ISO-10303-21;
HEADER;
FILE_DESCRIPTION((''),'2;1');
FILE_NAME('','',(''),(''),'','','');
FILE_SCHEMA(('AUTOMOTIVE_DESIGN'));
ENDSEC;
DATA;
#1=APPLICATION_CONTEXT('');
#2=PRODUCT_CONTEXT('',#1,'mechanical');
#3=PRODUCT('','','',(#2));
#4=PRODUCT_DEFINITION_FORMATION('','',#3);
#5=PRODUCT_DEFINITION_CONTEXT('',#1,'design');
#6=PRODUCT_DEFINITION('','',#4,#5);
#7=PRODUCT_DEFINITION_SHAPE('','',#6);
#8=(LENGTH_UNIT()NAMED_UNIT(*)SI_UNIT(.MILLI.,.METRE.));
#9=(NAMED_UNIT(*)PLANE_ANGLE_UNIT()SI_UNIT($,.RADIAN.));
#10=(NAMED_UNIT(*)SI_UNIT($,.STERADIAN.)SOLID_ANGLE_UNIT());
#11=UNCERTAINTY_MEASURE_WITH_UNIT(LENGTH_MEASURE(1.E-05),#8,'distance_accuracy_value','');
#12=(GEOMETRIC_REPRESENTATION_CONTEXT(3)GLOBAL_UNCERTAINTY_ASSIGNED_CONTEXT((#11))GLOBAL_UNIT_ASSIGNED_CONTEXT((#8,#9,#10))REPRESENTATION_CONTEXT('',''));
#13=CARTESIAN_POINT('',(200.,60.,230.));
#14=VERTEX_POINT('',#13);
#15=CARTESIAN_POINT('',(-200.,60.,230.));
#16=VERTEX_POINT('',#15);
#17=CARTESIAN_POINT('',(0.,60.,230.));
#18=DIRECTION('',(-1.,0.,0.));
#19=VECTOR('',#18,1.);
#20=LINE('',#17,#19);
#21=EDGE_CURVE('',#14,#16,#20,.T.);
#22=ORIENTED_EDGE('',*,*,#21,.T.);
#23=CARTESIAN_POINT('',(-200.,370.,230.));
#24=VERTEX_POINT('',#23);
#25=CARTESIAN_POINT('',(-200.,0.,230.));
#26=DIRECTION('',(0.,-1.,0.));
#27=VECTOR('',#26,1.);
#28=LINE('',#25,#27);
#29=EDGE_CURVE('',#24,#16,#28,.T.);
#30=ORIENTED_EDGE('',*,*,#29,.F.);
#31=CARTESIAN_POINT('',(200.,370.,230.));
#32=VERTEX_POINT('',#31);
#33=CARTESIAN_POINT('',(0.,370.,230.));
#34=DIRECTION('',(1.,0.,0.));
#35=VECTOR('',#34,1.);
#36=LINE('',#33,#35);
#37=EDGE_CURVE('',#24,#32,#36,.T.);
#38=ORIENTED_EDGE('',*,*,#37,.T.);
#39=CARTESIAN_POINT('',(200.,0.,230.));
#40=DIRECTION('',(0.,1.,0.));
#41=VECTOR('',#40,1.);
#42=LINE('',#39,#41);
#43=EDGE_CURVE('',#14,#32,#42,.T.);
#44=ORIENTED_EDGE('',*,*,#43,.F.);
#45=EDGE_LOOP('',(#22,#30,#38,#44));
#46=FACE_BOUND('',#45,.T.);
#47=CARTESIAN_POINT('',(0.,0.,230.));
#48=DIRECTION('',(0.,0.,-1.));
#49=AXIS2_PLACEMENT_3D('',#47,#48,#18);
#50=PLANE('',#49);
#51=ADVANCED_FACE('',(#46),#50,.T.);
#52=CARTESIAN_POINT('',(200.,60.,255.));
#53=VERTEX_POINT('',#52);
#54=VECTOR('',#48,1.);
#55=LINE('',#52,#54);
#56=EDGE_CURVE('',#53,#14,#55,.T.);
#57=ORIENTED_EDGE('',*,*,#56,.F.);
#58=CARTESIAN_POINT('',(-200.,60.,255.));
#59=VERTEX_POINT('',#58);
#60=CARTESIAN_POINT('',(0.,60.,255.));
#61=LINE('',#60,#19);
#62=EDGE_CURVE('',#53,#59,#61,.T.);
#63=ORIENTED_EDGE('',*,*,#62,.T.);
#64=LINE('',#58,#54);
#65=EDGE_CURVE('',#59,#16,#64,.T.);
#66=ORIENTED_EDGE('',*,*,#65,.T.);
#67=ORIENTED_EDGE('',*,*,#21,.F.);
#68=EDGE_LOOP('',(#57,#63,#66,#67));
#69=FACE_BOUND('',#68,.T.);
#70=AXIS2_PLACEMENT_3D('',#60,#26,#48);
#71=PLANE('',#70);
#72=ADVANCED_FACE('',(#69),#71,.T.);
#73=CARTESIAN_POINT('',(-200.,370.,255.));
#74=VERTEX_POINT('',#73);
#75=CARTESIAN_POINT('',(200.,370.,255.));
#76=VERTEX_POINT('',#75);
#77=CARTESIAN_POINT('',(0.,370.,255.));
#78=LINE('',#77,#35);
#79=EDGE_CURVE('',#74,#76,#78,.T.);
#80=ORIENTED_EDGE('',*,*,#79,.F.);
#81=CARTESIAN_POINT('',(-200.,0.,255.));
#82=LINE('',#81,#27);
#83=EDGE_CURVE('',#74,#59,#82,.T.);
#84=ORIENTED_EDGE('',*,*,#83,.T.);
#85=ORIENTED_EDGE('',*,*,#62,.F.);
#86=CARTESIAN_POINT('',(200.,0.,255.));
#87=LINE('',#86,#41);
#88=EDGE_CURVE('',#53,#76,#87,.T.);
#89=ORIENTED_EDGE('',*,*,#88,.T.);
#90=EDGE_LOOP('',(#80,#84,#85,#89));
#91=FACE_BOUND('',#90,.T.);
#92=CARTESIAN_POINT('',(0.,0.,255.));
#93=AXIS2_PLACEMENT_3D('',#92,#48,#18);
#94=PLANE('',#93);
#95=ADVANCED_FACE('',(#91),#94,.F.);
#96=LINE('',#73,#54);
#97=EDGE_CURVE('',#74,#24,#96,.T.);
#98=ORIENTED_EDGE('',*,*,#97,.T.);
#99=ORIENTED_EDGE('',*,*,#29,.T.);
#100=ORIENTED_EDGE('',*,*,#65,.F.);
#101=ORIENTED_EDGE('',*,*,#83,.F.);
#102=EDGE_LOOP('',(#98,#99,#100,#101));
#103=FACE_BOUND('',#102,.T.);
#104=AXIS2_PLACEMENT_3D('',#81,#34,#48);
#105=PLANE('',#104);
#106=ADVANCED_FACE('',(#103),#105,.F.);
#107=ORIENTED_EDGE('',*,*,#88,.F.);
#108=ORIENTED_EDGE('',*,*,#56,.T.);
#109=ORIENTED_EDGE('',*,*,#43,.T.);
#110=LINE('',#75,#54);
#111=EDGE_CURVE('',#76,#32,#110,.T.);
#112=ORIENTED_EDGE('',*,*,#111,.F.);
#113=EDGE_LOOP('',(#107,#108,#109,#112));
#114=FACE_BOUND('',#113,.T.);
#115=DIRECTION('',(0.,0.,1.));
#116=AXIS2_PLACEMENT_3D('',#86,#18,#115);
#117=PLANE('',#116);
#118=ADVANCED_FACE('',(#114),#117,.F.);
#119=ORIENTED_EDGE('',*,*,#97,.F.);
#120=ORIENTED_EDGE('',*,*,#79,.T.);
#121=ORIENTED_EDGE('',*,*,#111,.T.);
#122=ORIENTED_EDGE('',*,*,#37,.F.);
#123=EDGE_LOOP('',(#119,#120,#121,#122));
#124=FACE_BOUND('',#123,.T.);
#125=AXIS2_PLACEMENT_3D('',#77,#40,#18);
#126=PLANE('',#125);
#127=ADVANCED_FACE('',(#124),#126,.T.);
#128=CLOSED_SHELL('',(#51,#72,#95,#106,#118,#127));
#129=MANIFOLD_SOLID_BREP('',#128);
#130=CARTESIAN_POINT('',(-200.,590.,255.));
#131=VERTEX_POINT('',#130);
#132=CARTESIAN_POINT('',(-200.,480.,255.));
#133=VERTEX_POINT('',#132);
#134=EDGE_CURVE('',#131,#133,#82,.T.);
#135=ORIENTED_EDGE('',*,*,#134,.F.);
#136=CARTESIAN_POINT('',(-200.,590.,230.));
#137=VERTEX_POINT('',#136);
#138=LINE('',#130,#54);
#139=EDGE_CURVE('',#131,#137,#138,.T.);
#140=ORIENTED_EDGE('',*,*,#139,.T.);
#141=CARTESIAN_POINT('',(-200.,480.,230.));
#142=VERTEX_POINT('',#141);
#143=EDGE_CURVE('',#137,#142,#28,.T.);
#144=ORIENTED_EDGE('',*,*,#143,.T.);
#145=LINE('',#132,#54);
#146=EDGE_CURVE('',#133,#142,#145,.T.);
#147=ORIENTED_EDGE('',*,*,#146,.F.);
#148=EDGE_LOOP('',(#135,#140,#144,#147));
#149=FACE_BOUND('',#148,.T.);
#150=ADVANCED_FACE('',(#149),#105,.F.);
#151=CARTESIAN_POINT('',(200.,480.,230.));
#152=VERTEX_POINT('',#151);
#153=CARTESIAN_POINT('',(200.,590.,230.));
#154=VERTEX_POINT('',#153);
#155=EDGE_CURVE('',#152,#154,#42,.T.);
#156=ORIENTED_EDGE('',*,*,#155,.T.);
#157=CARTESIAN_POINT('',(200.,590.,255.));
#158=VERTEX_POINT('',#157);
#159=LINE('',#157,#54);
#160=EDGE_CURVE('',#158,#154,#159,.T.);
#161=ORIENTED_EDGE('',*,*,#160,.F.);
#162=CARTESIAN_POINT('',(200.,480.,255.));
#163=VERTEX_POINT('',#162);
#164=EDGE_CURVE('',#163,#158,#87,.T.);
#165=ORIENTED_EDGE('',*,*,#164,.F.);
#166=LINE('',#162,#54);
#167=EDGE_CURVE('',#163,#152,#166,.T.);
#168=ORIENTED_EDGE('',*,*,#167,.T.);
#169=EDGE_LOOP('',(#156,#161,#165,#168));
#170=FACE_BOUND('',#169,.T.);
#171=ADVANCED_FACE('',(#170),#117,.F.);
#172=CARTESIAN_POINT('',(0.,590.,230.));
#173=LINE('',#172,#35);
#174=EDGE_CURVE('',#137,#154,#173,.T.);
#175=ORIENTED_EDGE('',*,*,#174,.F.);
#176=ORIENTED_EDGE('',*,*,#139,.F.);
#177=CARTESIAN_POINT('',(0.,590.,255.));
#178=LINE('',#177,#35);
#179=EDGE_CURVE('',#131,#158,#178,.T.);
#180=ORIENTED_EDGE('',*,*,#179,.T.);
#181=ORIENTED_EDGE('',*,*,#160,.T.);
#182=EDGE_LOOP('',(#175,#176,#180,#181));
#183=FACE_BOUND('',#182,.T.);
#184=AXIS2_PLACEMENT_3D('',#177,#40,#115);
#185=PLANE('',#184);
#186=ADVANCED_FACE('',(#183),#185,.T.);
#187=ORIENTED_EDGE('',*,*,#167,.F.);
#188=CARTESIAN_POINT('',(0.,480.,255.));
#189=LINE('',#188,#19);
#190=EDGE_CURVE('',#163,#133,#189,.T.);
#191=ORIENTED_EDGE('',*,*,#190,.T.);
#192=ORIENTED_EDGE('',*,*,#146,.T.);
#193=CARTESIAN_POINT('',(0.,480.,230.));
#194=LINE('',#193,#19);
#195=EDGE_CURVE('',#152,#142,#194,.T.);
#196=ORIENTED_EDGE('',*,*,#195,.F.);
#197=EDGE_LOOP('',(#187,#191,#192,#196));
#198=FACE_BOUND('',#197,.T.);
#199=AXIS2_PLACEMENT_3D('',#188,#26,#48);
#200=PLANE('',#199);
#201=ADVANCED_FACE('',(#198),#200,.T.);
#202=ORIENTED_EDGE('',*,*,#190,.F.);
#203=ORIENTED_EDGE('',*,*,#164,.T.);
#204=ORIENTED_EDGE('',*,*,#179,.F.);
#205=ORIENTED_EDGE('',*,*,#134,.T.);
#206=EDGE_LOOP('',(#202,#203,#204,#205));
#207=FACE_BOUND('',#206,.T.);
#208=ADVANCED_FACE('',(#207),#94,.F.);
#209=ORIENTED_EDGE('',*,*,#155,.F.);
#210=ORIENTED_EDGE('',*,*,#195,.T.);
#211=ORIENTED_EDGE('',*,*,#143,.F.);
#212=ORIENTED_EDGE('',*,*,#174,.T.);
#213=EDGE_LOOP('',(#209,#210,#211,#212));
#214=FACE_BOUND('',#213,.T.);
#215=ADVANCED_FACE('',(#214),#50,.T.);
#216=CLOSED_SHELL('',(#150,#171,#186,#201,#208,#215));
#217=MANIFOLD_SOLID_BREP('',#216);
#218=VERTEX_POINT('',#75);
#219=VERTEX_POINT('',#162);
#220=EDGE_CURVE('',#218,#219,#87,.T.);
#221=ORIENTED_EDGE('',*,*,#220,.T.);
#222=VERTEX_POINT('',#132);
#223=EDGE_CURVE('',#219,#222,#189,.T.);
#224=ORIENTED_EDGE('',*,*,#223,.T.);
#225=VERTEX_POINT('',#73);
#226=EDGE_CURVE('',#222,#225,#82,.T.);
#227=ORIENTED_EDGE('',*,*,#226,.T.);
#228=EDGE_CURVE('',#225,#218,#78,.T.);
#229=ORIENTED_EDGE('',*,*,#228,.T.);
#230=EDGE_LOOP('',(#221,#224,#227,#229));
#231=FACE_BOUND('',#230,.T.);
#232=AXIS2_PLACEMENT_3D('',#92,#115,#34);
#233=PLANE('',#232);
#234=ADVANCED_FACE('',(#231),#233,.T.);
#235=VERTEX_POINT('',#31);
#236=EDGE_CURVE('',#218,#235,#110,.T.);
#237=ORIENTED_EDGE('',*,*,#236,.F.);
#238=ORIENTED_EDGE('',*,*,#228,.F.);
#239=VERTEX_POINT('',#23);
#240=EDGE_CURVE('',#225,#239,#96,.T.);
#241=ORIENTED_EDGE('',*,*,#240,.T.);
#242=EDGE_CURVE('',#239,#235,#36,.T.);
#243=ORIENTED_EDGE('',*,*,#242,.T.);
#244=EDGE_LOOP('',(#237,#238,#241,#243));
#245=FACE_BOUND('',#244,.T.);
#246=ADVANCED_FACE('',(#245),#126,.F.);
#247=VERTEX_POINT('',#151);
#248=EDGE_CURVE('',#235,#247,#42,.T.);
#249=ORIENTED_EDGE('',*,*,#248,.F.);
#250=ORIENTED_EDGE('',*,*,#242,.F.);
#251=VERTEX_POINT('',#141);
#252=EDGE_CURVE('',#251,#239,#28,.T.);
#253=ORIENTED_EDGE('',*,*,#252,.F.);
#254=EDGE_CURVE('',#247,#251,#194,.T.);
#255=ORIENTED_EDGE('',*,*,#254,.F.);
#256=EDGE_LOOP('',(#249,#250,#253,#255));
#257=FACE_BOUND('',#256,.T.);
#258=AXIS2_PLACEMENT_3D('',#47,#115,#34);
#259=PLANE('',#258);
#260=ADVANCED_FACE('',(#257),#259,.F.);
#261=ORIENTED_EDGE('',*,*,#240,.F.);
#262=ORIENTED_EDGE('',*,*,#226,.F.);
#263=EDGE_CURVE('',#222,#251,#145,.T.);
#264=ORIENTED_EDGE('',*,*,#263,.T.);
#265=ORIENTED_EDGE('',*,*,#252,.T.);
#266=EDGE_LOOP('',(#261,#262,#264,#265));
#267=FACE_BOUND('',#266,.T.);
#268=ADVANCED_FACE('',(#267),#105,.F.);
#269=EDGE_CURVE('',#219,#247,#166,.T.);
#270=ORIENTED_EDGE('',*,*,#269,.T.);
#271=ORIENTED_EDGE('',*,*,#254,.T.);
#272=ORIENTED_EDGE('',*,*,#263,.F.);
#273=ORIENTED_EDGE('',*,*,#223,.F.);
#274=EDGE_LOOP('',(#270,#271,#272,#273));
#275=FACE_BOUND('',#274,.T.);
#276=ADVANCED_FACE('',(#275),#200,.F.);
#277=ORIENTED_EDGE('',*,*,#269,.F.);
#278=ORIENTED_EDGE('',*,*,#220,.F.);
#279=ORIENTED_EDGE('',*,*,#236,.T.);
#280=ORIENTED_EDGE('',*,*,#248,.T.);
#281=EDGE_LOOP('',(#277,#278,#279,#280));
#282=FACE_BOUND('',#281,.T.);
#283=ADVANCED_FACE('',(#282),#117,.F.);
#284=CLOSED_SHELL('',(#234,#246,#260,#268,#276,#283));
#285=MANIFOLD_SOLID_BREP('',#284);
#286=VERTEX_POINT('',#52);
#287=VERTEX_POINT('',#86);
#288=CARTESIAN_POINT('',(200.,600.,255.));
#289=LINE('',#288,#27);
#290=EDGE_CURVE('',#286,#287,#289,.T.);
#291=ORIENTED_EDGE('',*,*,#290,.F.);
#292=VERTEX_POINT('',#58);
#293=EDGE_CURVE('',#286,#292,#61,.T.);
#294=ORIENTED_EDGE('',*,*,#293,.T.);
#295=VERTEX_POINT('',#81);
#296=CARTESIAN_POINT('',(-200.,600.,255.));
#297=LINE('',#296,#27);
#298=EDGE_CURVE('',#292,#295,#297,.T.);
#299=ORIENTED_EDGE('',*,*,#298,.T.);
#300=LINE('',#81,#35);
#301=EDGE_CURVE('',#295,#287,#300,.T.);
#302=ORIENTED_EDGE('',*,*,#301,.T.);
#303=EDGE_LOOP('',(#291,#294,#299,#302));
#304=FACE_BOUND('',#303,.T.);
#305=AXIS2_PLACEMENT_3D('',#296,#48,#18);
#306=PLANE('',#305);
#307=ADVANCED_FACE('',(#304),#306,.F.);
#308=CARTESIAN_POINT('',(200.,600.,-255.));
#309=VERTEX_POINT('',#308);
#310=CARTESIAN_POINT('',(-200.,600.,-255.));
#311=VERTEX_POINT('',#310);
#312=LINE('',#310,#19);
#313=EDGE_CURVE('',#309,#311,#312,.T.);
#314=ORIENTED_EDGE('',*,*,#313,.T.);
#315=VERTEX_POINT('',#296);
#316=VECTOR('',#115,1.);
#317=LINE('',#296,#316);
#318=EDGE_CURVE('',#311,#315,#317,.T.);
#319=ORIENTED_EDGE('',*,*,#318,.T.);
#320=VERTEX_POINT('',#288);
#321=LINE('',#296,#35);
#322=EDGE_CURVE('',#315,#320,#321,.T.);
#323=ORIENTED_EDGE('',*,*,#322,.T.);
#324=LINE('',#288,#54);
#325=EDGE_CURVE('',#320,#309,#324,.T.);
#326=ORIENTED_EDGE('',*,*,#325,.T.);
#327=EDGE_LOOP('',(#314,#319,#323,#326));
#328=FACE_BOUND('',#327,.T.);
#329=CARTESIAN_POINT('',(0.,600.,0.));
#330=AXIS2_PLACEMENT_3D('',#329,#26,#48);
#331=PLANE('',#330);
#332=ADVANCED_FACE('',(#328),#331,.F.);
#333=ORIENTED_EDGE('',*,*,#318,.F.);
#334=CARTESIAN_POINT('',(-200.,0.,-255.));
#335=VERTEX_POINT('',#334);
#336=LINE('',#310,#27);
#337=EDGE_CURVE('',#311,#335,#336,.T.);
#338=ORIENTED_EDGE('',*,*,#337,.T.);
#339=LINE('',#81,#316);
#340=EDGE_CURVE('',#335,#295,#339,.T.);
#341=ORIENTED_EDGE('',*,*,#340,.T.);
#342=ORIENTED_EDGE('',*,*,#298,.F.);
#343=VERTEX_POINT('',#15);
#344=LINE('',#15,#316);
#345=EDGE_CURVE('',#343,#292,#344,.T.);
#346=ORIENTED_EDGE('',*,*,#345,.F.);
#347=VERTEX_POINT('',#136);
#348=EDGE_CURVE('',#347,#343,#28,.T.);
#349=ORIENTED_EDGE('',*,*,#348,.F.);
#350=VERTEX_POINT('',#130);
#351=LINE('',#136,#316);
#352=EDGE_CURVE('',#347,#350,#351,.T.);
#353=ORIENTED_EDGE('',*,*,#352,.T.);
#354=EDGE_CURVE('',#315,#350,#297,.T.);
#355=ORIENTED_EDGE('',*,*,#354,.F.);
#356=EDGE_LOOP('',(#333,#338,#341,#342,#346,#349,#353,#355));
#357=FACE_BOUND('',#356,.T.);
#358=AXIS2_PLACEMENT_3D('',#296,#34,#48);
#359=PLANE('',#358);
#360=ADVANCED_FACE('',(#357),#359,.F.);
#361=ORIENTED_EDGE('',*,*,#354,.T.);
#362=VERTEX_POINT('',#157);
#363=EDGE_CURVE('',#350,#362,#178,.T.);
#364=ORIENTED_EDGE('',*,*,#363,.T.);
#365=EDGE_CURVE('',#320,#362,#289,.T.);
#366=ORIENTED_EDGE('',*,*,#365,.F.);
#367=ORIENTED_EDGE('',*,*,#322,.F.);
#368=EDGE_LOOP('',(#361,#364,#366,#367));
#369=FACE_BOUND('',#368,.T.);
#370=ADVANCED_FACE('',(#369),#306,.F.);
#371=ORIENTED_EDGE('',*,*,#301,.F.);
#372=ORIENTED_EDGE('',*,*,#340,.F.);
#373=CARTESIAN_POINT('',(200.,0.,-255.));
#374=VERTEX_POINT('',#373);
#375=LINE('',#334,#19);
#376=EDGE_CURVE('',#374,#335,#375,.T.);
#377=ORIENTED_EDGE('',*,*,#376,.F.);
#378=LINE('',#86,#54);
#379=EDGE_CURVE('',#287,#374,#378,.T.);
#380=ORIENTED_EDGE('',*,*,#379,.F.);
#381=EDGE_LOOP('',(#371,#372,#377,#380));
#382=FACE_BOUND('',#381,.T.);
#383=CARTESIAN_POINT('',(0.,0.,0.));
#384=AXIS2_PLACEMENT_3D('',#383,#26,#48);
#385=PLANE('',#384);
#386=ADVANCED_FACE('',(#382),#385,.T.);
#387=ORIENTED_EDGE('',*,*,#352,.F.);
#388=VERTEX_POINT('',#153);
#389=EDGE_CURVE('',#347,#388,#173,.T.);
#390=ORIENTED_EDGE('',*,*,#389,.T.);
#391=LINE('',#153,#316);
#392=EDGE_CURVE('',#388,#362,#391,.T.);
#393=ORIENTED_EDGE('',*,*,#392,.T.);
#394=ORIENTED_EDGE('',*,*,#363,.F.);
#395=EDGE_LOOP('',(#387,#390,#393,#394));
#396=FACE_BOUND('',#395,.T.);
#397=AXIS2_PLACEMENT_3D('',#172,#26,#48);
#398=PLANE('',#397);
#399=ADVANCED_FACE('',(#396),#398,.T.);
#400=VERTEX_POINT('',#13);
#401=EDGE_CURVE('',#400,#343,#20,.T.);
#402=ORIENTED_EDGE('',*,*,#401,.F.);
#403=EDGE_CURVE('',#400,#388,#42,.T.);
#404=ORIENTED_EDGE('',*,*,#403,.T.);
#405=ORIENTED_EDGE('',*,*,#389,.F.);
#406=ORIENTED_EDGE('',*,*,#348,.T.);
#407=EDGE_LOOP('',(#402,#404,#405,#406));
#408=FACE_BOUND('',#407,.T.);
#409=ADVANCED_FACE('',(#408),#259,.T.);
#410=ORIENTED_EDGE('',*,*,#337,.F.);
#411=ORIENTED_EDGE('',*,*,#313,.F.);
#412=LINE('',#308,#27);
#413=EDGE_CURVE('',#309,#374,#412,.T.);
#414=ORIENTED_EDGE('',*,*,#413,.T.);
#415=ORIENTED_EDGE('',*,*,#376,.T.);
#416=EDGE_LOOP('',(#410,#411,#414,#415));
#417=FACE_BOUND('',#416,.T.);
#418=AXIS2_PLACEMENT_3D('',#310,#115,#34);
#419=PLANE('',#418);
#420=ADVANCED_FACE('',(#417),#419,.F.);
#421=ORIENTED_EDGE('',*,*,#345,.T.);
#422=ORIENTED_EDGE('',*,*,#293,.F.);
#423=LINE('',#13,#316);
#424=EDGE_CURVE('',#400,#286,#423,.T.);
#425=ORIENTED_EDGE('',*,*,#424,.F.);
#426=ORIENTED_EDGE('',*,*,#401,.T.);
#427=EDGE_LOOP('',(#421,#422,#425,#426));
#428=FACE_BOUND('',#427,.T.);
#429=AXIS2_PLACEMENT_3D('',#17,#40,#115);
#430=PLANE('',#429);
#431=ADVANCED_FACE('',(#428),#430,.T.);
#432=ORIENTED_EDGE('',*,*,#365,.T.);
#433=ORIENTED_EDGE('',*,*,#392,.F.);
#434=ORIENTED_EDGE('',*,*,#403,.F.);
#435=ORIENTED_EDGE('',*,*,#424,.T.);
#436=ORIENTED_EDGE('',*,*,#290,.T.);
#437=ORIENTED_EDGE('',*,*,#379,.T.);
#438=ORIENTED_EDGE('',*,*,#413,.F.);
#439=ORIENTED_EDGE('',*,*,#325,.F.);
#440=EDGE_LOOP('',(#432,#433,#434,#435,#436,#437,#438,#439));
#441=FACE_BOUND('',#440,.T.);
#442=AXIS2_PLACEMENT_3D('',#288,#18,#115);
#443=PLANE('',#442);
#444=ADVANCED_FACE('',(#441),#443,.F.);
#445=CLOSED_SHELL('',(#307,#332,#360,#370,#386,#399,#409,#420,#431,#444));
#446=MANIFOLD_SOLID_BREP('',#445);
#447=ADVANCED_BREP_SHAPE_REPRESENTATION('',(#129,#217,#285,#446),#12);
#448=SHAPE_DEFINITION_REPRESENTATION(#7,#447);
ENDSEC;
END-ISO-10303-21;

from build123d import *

# Parameters (mm, degrees)
SKETCH1_W           = 400
SKETCH1_H           = 510
BOSS_EXTRUDE1_DEPTH = 600
SKETCH2_W           = 400
SKETCH2_H           = 110
SKETCH2_H_2         = 310
CUT_EXTRUDE1_DEPTH  = 25
BOSS_EXTRUDE3_START = -25
SKETCH2_4_W         = 400
SKETCH2_4_H         = 110
BOSS_EXTRUDE3_DEPTH = 25
BOSS_EXTRUDE4_START = -25
SKETCH2_5_W         = 400
SKETCH2_5_H         = 110
BOSS_EXTRUDE4_DEPTH = 25
BOSS_EXTRUDE5_START = -25
SKETCH2_6_W         = 400
SKETCH2_6_H         = 310
BOSS_EXTRUDE5_DEPTH = 25


with BuildPart() as part:
    # Sketch1 → Boss-Extrude1 (new body)
    with BuildSketch(Plane(origin=(0, 0, 0), x_dir=(1, 0, 0), z_dir=(0, 1, 0))):
        Rectangle(SKETCH1_W, SKETCH1_H)
    extrude(amount=BOSS_EXTRUDE1_DEPTH)

    # Sketch2 → Cut-Extrude1 (cut)
    with BuildSketch(Plane.XY.offset(255)):
        with Locations((0, 425)):
            Rectangle(SKETCH2_W, SKETCH2_H)
        with Locations((0, 535)):
            Rectangle(SKETCH2_W, SKETCH2_H)
        with Locations((0, 215)):
            Rectangle(SKETCH2_W, SKETCH2_H_2)
    extrude(amount=-CUT_EXTRUDE1_DEPTH, mode=Mode.SUBTRACT)


with BuildPart() as body_2:
    # Sketch2<4> → Boss-Extrude3 (new body)
    with BuildSketch(Plane.XY.offset(255).offset(BOSS_EXTRUDE3_START)):
        with Locations((0, 535)):
            Rectangle(SKETCH2_4_W, SKETCH2_4_H)
    extrude(amount=BOSS_EXTRUDE3_DEPTH)


with BuildPart() as body_3:
    # Sketch2<5> → Boss-Extrude4 (new body)
    with BuildSketch(Plane.XY.offset(255).offset(BOSS_EXTRUDE4_START)):
        with Locations((0, 425)):
            Rectangle(SKETCH2_5_W, SKETCH2_5_H)
    extrude(amount=BOSS_EXTRUDE4_DEPTH)


with BuildPart() as body_4:
    # Sketch2<6> → Boss-Extrude5 (new body)
    with BuildSketch(Plane.XY.offset(255).offset(BOSS_EXTRUDE5_START)):
        with Locations((0, 215)):
            Rectangle(SKETCH2_6_W, SKETCH2_6_H)
    extrude(amount=BOSS_EXTRUDE5_DEPTH)


solid = Compound([part.part, body_2.part, body_3.part, body_4.part])
